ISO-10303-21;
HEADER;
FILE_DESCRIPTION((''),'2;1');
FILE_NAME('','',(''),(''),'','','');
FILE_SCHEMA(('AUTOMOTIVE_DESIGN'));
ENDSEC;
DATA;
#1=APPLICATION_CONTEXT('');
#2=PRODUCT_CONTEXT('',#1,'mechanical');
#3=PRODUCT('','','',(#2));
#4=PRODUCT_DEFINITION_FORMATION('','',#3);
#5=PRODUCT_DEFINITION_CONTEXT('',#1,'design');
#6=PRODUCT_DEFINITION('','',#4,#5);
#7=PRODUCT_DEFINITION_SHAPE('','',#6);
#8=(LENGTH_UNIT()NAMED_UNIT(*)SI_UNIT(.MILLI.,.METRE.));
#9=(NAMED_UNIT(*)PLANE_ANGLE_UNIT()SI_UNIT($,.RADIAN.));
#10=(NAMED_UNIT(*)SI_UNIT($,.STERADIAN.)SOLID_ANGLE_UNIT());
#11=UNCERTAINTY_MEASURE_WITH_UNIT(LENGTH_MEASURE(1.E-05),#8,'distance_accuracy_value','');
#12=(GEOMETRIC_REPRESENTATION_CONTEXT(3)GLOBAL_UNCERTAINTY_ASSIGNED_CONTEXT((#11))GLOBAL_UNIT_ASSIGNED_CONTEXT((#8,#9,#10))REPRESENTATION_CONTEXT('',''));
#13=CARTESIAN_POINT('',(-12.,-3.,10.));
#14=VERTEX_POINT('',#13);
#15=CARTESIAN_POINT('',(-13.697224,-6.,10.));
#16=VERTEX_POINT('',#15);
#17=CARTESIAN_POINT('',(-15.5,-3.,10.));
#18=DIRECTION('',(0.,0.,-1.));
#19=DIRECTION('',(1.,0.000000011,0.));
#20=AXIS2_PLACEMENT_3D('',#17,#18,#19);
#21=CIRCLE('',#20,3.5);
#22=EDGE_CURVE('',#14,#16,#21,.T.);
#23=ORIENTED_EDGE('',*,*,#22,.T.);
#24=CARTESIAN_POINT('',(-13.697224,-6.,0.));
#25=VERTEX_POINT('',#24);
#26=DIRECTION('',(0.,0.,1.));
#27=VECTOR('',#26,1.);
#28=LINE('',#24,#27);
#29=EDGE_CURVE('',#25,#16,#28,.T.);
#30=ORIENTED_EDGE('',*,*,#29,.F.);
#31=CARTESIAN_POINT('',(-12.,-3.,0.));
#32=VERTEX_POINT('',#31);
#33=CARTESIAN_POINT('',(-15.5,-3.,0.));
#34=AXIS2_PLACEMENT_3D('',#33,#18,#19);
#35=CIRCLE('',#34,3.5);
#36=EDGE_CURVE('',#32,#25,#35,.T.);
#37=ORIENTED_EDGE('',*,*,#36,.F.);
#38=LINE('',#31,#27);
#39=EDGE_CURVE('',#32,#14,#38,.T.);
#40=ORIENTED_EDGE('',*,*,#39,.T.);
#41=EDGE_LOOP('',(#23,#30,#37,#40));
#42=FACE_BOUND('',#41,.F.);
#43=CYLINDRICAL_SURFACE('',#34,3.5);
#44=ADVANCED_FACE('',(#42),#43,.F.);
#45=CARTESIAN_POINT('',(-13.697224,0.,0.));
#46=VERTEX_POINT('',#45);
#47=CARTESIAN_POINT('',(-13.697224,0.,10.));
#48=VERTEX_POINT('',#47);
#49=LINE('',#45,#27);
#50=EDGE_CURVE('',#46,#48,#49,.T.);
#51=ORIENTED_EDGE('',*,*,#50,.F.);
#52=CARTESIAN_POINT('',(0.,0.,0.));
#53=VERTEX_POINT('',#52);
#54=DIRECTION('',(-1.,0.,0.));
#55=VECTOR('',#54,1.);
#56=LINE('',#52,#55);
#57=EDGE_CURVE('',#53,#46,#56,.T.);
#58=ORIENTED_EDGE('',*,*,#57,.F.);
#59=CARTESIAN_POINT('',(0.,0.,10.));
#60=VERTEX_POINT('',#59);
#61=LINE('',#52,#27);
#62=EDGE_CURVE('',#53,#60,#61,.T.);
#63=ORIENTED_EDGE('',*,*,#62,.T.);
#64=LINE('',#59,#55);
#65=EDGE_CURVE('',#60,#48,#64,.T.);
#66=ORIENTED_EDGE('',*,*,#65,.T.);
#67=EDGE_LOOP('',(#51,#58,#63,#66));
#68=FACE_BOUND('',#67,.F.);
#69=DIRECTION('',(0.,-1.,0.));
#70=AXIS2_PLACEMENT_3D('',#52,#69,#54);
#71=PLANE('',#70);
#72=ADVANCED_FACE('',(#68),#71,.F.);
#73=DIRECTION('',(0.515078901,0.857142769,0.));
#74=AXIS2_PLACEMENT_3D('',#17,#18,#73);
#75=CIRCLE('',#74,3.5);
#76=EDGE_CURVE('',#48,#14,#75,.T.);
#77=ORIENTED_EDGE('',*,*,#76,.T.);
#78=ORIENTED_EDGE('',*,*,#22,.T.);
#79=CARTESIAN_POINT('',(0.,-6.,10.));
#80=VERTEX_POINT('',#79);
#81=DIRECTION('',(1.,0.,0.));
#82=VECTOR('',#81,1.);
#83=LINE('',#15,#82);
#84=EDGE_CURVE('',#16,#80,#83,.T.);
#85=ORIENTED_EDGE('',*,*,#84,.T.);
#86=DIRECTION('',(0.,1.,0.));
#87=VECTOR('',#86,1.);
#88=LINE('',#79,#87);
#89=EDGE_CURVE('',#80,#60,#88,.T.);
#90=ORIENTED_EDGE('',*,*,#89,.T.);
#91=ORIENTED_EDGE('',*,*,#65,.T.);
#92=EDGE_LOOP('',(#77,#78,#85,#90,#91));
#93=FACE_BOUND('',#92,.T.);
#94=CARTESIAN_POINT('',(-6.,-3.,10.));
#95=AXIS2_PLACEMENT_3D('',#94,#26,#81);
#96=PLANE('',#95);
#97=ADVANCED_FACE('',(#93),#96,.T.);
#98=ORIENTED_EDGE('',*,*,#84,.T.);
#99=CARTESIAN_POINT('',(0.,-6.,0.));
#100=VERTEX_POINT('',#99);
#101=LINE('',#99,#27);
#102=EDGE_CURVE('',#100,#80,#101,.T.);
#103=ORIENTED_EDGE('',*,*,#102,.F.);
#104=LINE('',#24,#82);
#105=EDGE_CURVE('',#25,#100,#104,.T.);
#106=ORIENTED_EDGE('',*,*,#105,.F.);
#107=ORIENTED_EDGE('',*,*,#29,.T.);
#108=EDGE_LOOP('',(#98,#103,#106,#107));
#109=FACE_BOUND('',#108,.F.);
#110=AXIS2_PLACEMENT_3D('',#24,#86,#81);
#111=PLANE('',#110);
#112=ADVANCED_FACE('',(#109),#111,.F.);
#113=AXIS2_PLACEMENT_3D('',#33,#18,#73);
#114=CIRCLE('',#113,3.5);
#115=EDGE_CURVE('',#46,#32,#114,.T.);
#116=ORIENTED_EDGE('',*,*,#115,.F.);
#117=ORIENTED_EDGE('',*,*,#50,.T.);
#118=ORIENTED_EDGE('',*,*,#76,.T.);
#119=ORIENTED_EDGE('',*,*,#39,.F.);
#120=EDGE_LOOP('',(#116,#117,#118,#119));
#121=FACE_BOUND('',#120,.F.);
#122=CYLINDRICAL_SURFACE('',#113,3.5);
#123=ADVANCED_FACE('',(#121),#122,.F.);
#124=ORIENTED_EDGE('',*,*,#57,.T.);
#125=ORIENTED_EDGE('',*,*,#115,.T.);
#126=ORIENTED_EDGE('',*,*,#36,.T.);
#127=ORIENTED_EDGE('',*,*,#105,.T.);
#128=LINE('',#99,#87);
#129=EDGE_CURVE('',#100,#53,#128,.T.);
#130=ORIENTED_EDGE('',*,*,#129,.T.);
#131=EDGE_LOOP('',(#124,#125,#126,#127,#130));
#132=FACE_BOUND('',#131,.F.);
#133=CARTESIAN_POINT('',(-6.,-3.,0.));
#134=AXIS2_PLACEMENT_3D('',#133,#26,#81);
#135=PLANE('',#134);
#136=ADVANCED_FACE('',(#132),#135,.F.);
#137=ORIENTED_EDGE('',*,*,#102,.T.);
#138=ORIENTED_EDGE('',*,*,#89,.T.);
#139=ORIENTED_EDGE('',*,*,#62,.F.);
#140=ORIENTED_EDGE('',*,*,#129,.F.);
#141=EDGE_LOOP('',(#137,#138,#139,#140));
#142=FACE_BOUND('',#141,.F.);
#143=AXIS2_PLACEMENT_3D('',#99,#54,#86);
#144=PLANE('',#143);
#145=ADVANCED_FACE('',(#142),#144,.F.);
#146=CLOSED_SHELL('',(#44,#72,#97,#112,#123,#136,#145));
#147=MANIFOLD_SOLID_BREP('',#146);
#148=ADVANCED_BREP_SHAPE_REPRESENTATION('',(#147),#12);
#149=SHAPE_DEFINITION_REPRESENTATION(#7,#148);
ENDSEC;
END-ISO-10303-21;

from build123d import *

# Parameters (mm, degrees)
F1_DEPTH = 10


with BuildPart() as f1:
    # F0 (on Top) → F1 (new body)
    with BuildSketch(Plane.XY):
        Polygon((0, -6), (0, 0), (-12, 0), (-12, -3), (-12, -6), align=None)
        with BuildLine():
            Line((-12, -3), (-12, 0))
            Line((-12, 0), (-13.697224, 0))
            ThreePointArc((-13.697224, 0), (-12.453714, -1.27659), (-12, -3))
        make_face()
        with BuildLine():
            Line((-12, -6), (-12, -3))
            ThreePointArc((-12, -3), (-12.453714, -4.72341), (-13.697224, -6))
            Line((-13.697224, -6), (-12, -6))
        make_face()
    extrude(amount=F1_DEPTH)


solid = f1.part
